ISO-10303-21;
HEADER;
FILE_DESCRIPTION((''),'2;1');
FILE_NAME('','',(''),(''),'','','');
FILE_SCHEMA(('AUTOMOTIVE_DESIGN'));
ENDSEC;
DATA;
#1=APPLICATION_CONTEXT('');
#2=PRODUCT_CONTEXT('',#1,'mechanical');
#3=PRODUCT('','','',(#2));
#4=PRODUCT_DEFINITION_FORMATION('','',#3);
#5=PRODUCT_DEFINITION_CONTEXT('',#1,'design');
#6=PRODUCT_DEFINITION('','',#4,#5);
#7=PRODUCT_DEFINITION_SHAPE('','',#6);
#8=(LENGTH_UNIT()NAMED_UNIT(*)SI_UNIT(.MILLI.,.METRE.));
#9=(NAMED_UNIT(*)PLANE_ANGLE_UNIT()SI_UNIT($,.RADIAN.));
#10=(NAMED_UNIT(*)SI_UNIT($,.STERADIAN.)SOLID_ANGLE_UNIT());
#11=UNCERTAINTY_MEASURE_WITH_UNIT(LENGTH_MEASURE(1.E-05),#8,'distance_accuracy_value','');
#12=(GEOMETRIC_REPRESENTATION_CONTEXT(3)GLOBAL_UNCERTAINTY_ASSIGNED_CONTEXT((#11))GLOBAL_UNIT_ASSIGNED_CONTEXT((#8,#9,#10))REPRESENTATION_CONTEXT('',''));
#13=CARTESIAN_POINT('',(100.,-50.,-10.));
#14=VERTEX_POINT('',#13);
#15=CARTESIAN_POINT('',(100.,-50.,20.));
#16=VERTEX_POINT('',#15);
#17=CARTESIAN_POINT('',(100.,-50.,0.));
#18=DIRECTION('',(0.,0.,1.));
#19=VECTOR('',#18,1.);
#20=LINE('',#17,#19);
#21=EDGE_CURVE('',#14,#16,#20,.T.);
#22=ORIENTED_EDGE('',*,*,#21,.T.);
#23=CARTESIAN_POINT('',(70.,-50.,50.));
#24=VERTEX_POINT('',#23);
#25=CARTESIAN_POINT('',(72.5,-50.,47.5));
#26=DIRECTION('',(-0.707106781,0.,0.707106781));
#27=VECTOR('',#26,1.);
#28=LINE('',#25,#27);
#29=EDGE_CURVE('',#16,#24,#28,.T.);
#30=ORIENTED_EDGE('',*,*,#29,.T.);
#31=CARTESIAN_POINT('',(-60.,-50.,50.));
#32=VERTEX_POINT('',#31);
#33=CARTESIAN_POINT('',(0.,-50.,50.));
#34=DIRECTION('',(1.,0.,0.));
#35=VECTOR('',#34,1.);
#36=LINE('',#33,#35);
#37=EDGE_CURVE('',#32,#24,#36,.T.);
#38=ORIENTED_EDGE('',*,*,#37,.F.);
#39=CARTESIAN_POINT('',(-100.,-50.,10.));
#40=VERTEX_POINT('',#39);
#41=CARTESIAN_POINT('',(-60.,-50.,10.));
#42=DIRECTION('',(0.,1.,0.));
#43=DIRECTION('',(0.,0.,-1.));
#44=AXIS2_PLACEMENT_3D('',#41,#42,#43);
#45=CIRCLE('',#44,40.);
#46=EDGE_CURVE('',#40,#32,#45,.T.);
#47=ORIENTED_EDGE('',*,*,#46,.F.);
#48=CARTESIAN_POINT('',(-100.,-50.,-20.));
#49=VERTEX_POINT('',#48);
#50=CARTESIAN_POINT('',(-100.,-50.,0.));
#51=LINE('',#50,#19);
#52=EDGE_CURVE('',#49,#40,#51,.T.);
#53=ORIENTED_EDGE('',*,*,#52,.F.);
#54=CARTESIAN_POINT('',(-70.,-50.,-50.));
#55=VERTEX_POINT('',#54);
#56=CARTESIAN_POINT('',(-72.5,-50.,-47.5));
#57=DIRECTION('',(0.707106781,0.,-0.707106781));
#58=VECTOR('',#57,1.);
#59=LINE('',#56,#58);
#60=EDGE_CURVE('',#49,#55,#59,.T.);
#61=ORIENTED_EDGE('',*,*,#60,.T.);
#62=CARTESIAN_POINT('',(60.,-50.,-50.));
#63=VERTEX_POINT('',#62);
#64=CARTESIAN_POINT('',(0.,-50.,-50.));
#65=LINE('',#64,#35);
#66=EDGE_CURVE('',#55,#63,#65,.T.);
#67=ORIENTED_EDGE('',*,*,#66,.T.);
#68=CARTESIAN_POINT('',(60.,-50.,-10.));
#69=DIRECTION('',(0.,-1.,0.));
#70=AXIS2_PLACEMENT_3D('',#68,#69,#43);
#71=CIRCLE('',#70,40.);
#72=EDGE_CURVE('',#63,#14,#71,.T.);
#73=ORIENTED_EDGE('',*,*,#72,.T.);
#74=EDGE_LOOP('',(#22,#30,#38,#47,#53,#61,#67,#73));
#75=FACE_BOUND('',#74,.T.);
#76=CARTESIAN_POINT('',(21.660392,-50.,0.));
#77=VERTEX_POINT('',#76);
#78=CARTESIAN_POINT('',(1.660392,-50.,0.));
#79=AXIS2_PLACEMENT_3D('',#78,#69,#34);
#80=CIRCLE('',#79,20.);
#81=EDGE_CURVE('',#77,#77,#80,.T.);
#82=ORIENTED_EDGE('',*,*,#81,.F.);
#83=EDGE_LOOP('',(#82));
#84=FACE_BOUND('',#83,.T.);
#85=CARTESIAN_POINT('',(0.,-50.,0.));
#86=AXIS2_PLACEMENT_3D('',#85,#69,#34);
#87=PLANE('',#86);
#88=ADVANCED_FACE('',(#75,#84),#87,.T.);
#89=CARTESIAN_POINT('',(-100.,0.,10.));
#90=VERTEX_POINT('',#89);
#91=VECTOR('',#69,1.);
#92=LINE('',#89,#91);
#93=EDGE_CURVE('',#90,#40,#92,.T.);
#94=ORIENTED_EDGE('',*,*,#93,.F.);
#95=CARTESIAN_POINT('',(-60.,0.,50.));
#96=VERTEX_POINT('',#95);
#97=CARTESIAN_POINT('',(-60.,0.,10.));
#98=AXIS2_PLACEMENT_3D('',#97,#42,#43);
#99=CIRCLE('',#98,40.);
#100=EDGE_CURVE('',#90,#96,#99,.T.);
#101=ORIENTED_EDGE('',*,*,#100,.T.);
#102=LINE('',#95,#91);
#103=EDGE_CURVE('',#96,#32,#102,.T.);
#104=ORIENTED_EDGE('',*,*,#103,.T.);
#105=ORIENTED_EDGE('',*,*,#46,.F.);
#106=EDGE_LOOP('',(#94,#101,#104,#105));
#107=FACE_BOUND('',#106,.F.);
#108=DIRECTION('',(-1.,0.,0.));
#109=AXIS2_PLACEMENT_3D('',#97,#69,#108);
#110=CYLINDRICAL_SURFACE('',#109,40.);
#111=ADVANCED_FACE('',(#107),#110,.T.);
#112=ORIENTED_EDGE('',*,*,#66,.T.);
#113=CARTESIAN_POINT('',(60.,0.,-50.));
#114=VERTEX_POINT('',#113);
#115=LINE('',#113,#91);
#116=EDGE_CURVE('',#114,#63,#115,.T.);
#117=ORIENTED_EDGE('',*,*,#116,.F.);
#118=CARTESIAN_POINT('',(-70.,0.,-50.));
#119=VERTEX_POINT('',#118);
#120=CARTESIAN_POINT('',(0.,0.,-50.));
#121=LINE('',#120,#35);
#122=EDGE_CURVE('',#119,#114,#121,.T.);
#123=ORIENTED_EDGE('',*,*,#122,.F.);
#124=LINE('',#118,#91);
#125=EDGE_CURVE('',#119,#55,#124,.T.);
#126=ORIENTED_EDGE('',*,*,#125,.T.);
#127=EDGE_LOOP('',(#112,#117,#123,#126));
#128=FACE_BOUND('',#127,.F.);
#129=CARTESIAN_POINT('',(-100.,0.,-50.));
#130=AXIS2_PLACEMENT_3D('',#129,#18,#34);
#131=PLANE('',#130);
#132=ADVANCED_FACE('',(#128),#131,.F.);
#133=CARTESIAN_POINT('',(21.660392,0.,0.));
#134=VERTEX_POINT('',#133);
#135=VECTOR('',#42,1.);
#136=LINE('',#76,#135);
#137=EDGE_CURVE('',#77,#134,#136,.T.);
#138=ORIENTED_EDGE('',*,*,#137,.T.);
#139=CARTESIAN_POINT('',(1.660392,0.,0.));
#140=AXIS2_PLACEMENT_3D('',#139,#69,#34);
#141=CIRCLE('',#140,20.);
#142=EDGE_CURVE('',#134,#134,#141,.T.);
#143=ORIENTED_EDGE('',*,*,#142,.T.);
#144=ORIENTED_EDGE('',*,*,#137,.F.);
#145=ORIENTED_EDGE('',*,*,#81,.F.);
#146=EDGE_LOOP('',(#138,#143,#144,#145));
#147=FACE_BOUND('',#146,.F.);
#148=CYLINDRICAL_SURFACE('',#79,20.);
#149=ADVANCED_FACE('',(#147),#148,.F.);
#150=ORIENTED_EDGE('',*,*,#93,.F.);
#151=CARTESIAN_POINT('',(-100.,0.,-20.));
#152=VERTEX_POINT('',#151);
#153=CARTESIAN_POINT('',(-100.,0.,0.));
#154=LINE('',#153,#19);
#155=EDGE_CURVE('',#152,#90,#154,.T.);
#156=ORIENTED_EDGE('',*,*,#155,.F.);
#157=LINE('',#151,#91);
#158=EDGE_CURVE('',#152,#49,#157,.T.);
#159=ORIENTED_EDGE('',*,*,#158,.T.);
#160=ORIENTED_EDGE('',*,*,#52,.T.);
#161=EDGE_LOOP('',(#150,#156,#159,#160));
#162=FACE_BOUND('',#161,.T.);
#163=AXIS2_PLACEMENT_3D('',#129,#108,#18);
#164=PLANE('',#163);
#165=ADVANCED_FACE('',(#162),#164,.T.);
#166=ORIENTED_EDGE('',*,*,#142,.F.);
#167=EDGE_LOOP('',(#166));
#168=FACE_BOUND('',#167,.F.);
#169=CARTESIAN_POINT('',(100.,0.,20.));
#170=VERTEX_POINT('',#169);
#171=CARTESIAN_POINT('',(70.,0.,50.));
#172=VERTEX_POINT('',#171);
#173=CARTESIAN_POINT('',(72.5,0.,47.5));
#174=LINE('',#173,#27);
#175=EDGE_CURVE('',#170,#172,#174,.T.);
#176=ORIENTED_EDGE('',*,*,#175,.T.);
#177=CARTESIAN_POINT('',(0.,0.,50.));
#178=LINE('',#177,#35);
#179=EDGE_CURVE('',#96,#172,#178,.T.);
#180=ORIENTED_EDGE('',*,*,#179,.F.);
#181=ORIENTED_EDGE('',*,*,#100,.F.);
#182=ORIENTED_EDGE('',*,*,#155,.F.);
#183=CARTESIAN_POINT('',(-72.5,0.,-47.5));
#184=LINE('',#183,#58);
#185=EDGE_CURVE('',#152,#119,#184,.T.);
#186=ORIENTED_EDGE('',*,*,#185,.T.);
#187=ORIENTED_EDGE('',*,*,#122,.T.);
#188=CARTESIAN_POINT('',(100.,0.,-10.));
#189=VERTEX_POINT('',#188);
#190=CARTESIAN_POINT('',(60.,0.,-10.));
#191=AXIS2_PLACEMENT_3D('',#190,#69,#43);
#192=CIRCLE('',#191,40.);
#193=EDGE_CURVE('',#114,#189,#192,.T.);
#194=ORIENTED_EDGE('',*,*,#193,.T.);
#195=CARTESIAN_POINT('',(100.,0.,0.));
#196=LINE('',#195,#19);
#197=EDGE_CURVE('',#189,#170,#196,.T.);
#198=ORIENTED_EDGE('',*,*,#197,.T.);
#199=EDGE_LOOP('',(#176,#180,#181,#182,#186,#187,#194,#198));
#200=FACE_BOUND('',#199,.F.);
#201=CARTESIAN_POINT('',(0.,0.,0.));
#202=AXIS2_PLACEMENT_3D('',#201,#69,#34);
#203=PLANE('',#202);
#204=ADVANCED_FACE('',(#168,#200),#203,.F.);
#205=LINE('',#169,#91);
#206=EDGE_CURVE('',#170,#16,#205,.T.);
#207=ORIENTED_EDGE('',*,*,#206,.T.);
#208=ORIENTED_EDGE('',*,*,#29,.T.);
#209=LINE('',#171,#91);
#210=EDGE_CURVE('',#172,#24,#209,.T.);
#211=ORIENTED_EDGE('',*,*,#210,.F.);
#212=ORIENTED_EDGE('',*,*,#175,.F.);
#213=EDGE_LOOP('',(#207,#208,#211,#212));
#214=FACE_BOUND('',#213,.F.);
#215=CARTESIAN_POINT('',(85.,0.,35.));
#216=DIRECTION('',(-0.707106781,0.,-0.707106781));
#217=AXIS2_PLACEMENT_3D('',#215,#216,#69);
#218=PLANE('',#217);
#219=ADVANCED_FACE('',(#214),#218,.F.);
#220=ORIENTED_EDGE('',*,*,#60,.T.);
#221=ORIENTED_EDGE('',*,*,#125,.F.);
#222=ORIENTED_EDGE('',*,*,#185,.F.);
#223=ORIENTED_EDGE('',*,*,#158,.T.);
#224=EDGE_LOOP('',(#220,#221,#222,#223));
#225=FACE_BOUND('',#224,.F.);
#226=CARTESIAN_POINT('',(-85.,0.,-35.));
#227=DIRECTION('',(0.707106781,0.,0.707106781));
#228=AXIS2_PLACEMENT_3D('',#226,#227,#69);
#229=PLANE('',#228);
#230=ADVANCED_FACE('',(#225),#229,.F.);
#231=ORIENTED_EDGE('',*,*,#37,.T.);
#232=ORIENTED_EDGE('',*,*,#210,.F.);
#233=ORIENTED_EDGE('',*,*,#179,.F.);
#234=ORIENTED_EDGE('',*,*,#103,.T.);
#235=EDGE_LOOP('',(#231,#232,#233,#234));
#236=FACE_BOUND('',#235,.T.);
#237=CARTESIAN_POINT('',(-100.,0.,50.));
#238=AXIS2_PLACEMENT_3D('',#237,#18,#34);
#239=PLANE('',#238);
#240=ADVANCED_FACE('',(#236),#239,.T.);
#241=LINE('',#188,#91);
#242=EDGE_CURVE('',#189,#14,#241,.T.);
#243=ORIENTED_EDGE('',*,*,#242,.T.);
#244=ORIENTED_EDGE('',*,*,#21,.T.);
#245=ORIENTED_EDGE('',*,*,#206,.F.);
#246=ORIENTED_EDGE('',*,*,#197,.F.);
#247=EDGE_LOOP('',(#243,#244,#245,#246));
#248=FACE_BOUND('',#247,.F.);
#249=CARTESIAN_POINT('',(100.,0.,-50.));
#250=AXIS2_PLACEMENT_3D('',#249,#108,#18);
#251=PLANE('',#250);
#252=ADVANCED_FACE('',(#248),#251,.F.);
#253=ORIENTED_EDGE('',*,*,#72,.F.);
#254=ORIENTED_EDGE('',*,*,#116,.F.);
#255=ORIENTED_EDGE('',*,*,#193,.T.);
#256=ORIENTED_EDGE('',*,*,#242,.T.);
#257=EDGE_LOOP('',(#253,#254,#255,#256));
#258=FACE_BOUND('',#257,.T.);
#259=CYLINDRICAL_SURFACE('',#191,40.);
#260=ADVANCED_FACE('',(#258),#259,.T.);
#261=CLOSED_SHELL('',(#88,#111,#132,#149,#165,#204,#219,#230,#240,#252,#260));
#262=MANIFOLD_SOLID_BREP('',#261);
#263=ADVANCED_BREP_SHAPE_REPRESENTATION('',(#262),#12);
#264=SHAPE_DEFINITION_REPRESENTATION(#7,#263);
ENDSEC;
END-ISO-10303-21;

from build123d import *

# Parameters (mm, degrees)
F0_W     = 200
F0_H     = 100
F1_DEPTH = 50
F2_SIZE  = 30
F3_R     = 40
F4_R     = 20
F5_DEPTH = 50.001


with BuildPart() as f1:
    # F0 (on Front) → F1 (new body)
    with BuildSketch(Plane.XZ):
        Rectangle(F0_W, F0_H)
    extrude(amount=F1_DEPTH)

    # F2
    f2_edges = [f1.edges().sort_by_distance(p)[0] for p in [
        (-100, -25, -50),
        (100, -25, 50),
    ]]
    chamfer(f2_edges, length=F2_SIZE)

    # F3
    f3_edges = [f1.edges().sort_by_distance(p)[0] for p in [
        (-100, -25, 50),
        (100, -25, -50),
    ]]
    fillet(f3_edges, radius=F3_R)

    # F4 (on face) → F5 (cut, through all)
    with BuildSketch(Plane.XZ.offset(50)):
        with Locations((1.660392, 0)):
            Circle(F4_R)
    extrude(amount=-F5_DEPTH, mode=Mode.SUBTRACT)


solid = f1.part
